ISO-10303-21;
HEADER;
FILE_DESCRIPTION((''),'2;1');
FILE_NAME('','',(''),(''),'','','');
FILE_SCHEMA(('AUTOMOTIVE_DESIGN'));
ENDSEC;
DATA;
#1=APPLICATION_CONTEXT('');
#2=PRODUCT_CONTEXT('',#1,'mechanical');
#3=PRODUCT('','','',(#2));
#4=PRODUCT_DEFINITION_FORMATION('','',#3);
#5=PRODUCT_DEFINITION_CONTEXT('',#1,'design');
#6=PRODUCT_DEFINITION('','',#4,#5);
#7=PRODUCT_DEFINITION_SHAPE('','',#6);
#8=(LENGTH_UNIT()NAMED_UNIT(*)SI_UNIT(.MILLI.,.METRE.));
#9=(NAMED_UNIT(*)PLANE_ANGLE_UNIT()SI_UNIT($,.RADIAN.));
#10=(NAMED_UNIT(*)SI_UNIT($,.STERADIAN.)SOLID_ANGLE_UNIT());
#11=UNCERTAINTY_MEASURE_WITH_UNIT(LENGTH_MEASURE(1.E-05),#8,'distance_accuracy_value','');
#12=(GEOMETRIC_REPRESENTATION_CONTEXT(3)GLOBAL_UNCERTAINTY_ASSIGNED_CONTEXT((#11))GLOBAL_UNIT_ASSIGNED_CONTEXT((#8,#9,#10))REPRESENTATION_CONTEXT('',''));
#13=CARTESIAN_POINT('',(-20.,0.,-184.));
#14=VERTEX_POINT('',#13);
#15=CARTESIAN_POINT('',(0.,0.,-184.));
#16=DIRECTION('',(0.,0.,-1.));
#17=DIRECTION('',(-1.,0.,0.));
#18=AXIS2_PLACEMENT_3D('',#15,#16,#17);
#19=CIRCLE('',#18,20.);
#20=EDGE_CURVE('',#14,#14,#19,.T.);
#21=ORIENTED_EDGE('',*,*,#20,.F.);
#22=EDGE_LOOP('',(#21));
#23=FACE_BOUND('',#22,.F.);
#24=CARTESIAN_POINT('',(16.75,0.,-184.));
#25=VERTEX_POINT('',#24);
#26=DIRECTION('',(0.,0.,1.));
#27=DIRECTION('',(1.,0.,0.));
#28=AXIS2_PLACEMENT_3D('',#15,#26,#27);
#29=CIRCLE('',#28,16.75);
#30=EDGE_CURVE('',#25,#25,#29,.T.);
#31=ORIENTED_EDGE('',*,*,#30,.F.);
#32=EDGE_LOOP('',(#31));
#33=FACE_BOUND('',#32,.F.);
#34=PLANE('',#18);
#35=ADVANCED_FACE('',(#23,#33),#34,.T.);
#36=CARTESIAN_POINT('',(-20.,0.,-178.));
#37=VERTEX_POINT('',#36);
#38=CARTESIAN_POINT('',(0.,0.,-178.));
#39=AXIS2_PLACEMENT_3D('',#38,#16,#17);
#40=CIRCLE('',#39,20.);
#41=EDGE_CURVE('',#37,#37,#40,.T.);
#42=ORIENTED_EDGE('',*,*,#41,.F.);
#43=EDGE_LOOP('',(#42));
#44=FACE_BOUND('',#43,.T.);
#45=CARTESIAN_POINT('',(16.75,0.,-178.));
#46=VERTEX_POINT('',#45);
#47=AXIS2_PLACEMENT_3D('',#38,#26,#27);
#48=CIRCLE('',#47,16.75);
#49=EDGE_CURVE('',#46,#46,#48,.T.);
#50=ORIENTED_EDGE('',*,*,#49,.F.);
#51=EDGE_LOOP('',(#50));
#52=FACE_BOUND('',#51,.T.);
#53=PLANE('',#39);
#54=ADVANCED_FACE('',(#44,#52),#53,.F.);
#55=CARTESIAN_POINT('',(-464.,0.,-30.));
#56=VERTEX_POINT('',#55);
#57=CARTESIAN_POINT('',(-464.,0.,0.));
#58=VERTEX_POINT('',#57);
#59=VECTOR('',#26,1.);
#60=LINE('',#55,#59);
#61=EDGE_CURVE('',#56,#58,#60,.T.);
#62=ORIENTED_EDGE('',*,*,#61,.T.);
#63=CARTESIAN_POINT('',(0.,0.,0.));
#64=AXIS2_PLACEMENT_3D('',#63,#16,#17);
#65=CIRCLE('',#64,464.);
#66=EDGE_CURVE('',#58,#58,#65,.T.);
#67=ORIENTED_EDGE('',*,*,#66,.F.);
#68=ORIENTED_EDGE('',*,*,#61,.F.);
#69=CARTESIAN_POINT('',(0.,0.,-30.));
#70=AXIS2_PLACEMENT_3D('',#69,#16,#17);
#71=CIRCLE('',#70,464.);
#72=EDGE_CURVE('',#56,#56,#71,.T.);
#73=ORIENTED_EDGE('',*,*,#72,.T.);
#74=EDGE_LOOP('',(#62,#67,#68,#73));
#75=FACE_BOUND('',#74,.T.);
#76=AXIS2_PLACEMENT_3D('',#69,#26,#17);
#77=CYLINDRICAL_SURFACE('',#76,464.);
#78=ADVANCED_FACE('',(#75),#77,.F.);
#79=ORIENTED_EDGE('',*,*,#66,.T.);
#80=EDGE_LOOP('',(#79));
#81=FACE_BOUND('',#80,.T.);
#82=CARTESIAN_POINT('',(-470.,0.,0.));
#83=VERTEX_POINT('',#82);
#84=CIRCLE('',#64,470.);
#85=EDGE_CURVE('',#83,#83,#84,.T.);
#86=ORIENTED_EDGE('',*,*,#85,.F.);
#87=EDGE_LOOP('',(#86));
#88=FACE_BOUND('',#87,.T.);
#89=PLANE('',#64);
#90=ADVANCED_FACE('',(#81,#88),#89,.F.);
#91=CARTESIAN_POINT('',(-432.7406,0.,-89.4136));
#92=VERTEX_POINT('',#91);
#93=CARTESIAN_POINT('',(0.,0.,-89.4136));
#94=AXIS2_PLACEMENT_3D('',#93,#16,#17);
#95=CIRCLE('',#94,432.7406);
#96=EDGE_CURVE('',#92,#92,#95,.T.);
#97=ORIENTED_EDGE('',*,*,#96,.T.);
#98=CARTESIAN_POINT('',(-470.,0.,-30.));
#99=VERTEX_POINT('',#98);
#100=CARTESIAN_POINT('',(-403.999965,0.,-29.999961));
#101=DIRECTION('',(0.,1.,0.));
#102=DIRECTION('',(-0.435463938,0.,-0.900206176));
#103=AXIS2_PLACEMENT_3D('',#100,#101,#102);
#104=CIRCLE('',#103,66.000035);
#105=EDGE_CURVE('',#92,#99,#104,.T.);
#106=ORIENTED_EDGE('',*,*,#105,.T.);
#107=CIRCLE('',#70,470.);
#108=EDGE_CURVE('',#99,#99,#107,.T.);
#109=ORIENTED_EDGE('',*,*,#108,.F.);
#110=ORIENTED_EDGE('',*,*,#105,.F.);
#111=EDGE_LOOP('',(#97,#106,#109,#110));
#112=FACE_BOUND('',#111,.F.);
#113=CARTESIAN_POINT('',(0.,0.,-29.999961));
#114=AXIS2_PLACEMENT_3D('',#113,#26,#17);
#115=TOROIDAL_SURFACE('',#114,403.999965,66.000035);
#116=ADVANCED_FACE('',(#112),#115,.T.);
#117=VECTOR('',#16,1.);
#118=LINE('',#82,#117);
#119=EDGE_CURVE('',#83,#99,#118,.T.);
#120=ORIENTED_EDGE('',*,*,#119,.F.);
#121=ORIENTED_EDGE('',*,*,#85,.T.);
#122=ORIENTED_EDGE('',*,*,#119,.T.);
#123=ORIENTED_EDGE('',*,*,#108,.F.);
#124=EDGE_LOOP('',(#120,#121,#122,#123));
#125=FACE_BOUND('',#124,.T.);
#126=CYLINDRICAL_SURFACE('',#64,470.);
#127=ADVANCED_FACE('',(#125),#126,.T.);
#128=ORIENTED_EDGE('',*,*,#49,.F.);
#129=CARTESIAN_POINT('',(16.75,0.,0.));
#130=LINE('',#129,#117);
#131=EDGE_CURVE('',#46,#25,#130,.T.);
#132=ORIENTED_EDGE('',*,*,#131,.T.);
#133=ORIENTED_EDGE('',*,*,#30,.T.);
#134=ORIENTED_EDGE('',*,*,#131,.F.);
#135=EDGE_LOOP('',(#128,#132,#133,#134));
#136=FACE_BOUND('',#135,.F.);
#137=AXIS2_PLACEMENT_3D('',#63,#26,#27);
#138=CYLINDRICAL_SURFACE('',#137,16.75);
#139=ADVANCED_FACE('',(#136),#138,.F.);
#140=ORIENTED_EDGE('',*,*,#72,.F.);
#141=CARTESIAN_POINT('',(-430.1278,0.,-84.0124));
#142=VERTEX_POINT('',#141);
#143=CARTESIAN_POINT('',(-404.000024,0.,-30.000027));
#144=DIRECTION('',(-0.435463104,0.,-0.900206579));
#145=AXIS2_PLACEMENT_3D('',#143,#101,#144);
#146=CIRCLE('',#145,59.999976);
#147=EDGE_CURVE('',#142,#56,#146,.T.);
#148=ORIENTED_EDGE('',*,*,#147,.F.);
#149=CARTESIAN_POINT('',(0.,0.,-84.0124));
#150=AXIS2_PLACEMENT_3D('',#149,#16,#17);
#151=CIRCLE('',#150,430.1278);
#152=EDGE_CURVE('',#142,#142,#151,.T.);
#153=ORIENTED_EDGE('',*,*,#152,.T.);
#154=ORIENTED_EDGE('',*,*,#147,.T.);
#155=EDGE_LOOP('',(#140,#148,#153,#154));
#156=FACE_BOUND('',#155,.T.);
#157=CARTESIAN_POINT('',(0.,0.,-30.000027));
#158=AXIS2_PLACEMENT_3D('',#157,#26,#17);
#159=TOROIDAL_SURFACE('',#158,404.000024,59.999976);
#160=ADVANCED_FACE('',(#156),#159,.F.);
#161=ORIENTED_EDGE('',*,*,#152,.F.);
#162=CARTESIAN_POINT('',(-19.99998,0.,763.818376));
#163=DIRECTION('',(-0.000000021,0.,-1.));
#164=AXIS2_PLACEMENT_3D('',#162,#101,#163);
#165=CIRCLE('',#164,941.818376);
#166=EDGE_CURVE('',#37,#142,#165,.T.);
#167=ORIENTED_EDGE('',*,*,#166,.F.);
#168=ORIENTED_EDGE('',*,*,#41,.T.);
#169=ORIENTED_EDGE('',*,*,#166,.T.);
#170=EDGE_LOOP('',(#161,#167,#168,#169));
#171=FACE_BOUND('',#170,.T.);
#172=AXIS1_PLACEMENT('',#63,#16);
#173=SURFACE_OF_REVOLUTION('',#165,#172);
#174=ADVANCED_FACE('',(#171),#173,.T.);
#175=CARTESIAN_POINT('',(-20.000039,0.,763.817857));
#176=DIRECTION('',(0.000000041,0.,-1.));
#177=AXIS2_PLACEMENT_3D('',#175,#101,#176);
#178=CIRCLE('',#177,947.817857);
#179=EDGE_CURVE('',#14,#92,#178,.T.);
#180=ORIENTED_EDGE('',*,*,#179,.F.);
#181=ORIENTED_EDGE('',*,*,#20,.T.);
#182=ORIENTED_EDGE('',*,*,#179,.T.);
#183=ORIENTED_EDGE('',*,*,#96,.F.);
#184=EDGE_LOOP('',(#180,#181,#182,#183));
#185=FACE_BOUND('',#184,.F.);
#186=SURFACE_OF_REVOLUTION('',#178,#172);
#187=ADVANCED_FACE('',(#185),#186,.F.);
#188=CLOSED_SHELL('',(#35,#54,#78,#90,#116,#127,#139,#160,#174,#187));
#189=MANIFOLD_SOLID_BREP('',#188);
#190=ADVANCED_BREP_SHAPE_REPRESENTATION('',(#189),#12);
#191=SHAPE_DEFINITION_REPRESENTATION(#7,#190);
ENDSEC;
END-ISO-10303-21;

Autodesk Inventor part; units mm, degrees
ref_plane "YZ Plane" through (0, 0, 0) normal (1, 0, 0) x (0, 1, 0)
ref_plane "XZ Plane" through (0, 0, 0) normal (0, 1, 0) x (-1, 0, 0)
ref_plane "XY Plane" through (0, 0, 0) normal (0, 0, 1) x (1, 0, 0)
sketch "Sketch1" plane through (0, 0, 0) normal (0, 1, 0) x (-1, 0, 0)
  line L0 (470, 0) -> (470, -30)
  arc A0 (432.7406, -89.4136) -> (470, -30) centre (404, -30) ccw
  arc A1 (20, -184) -> (432.7406, -89.4136) centre (20, 763.8182) ccw
  line L1 (0, 0) -> (0, -191.6842)
  arc A2 (20, -178) -> (430.1278, -84.0124) centre (20, 763.8182) ccw
  arc A3 (430.1278, -84.0124) -> (464, -30) centre (404, -30) ccw
  line L2 (464, -30) -> (464, 0)
  line L3 (464, 0) -> (470, 0)
  line L4 (0, -178) -> (0, -184)
  line L5 (0, -184) -> (20, -184)
  line L6 (0, -178) -> (20, -178)
  point P0 (0, 0)
  point P1 (0, -163.7009)
  point P2 (0, -169.7009)
  dimension "d1" = 30
  dimension "d3" = 947.8182
  dimension "d12" = 184
  dimension "d13" = 6
  dimension "d14" = 40
  dimension "d15" = 60
  dimension "d16" = 940
revolve "Revolution1" add sketch "Sketch1" angle 360 about axis through (0, 0, 0) along (0, 0, -1)
sketch "Sketch2" plane through (0, 0, 0) normal (0, 0, 1) x (1, 0, 0)
  circle A0 centre (0, 0) radius 16.75
  dimension "d8" = 33.5
extrude "Extrusion1" cut sketch "Sketch2" against normal through all
equation "\"d12\" = AA_MAIN_dish_hight"
equation "\"d16\" = AA_MAIN_filter_diam"
equation "\"AA_MAIN_filter_diam\" = 940"
equation "\"AA_MAIN_dish_hight\" = 184"
properties part number "PRS 1604 dished head_D1200 940"
